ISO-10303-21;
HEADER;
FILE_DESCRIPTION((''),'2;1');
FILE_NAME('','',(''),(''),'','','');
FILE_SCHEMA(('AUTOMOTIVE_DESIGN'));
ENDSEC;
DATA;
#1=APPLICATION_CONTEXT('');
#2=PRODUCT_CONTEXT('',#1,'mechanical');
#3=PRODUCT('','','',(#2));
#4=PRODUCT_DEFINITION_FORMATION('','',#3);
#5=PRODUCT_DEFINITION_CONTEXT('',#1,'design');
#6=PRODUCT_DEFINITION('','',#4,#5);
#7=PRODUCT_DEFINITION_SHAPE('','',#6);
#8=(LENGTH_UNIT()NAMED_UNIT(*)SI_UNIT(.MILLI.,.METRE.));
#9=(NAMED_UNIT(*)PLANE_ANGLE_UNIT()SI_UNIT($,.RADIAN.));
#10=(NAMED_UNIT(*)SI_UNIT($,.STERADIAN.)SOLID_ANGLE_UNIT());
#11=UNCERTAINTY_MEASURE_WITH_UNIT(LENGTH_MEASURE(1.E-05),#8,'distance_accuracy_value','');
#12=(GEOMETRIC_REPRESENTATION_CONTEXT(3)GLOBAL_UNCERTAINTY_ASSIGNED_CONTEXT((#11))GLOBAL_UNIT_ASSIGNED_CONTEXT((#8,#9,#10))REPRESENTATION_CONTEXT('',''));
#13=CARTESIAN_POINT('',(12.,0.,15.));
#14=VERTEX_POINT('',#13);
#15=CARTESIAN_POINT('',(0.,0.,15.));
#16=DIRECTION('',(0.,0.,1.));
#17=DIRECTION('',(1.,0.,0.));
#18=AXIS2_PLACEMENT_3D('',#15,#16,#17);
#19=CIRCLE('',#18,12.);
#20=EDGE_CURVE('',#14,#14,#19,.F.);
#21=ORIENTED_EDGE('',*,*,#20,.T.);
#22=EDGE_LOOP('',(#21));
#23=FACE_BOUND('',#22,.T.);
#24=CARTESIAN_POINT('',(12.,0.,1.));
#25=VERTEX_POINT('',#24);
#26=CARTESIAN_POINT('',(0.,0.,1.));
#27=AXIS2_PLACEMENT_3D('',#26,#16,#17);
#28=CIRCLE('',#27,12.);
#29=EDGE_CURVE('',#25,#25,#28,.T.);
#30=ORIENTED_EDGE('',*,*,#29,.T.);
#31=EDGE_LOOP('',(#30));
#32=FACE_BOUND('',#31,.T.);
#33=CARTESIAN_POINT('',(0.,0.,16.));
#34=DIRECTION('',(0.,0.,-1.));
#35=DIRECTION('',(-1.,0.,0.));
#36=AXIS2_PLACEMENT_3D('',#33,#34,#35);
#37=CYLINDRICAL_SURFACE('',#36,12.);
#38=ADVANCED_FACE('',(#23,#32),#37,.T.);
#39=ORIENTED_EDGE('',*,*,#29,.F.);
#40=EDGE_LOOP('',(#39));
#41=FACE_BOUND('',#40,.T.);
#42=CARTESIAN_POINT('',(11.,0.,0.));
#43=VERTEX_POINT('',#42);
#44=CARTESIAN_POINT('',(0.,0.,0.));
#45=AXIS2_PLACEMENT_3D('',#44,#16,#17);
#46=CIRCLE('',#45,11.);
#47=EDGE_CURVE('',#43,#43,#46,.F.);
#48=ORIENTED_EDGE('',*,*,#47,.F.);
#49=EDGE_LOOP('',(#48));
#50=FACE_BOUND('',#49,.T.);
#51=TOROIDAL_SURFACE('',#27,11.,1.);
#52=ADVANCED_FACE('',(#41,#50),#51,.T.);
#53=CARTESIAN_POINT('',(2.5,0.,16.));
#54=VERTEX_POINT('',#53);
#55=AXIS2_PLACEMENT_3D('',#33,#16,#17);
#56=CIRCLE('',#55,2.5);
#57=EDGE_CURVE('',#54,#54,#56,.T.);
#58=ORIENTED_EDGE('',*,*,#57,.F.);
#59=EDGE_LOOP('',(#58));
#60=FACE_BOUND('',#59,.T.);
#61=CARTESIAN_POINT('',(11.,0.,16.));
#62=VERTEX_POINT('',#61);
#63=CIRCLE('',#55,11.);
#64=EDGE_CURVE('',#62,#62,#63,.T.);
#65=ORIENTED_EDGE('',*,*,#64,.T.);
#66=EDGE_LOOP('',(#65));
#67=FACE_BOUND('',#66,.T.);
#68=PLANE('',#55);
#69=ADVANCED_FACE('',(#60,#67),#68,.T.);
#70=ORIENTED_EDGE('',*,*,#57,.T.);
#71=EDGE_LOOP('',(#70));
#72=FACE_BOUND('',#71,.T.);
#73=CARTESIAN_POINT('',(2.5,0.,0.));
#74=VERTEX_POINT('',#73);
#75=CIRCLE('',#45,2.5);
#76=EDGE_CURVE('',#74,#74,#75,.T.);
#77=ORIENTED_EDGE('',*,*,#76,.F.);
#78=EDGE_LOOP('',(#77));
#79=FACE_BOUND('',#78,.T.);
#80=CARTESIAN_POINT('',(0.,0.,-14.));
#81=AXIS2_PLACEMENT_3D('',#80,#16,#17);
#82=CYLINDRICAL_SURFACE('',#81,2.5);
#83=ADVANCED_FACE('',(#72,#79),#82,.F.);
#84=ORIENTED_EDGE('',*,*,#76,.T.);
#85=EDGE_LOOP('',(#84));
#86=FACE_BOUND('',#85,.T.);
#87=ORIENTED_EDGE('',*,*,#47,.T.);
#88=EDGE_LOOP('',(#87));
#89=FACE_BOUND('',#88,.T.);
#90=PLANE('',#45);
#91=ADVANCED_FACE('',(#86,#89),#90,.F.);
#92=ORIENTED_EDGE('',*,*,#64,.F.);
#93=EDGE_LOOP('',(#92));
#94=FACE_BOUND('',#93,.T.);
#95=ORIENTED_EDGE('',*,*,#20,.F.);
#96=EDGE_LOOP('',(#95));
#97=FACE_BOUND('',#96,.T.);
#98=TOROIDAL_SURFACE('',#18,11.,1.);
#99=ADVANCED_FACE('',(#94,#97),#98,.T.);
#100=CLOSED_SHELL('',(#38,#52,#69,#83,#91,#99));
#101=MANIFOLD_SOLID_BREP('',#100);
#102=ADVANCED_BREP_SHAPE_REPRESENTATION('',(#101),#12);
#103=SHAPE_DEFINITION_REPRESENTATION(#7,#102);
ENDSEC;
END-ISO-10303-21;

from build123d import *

# Parameters (mm, degrees)
SKETCH1_R           = 12
BOSS_EXTRUDE1_DEPTH = 16
SKETCH2_R           = 2.5
CUT_EXTRUDE1_DEPTH  = 30
FILLET2_R           = 1


with BuildPart() as part:
    # Sketch1 → Boss-Extrude1 (new body)
    with BuildSketch(Plane.XY):
        Circle(SKETCH1_R)
    extrude(amount=BOSS_EXTRUDE1_DEPTH)

    # Sketch2 → Cut-Extrude1 (cut)
    with BuildSketch(Plane.XY.offset(16)):
        Circle(SKETCH2_R)
    extrude(amount=-CUT_EXTRUDE1_DEPTH, mode=Mode.SUBTRACT)

    # Fillet2
    fillet2_edges = [part.edges().sort_by_distance(p)[0] for p in [
        (-12, 0, 0),
        (-12, 0, 16),
    ]]
    fillet(fillet2_edges, radius=FILLET2_R)


solid = part.part
